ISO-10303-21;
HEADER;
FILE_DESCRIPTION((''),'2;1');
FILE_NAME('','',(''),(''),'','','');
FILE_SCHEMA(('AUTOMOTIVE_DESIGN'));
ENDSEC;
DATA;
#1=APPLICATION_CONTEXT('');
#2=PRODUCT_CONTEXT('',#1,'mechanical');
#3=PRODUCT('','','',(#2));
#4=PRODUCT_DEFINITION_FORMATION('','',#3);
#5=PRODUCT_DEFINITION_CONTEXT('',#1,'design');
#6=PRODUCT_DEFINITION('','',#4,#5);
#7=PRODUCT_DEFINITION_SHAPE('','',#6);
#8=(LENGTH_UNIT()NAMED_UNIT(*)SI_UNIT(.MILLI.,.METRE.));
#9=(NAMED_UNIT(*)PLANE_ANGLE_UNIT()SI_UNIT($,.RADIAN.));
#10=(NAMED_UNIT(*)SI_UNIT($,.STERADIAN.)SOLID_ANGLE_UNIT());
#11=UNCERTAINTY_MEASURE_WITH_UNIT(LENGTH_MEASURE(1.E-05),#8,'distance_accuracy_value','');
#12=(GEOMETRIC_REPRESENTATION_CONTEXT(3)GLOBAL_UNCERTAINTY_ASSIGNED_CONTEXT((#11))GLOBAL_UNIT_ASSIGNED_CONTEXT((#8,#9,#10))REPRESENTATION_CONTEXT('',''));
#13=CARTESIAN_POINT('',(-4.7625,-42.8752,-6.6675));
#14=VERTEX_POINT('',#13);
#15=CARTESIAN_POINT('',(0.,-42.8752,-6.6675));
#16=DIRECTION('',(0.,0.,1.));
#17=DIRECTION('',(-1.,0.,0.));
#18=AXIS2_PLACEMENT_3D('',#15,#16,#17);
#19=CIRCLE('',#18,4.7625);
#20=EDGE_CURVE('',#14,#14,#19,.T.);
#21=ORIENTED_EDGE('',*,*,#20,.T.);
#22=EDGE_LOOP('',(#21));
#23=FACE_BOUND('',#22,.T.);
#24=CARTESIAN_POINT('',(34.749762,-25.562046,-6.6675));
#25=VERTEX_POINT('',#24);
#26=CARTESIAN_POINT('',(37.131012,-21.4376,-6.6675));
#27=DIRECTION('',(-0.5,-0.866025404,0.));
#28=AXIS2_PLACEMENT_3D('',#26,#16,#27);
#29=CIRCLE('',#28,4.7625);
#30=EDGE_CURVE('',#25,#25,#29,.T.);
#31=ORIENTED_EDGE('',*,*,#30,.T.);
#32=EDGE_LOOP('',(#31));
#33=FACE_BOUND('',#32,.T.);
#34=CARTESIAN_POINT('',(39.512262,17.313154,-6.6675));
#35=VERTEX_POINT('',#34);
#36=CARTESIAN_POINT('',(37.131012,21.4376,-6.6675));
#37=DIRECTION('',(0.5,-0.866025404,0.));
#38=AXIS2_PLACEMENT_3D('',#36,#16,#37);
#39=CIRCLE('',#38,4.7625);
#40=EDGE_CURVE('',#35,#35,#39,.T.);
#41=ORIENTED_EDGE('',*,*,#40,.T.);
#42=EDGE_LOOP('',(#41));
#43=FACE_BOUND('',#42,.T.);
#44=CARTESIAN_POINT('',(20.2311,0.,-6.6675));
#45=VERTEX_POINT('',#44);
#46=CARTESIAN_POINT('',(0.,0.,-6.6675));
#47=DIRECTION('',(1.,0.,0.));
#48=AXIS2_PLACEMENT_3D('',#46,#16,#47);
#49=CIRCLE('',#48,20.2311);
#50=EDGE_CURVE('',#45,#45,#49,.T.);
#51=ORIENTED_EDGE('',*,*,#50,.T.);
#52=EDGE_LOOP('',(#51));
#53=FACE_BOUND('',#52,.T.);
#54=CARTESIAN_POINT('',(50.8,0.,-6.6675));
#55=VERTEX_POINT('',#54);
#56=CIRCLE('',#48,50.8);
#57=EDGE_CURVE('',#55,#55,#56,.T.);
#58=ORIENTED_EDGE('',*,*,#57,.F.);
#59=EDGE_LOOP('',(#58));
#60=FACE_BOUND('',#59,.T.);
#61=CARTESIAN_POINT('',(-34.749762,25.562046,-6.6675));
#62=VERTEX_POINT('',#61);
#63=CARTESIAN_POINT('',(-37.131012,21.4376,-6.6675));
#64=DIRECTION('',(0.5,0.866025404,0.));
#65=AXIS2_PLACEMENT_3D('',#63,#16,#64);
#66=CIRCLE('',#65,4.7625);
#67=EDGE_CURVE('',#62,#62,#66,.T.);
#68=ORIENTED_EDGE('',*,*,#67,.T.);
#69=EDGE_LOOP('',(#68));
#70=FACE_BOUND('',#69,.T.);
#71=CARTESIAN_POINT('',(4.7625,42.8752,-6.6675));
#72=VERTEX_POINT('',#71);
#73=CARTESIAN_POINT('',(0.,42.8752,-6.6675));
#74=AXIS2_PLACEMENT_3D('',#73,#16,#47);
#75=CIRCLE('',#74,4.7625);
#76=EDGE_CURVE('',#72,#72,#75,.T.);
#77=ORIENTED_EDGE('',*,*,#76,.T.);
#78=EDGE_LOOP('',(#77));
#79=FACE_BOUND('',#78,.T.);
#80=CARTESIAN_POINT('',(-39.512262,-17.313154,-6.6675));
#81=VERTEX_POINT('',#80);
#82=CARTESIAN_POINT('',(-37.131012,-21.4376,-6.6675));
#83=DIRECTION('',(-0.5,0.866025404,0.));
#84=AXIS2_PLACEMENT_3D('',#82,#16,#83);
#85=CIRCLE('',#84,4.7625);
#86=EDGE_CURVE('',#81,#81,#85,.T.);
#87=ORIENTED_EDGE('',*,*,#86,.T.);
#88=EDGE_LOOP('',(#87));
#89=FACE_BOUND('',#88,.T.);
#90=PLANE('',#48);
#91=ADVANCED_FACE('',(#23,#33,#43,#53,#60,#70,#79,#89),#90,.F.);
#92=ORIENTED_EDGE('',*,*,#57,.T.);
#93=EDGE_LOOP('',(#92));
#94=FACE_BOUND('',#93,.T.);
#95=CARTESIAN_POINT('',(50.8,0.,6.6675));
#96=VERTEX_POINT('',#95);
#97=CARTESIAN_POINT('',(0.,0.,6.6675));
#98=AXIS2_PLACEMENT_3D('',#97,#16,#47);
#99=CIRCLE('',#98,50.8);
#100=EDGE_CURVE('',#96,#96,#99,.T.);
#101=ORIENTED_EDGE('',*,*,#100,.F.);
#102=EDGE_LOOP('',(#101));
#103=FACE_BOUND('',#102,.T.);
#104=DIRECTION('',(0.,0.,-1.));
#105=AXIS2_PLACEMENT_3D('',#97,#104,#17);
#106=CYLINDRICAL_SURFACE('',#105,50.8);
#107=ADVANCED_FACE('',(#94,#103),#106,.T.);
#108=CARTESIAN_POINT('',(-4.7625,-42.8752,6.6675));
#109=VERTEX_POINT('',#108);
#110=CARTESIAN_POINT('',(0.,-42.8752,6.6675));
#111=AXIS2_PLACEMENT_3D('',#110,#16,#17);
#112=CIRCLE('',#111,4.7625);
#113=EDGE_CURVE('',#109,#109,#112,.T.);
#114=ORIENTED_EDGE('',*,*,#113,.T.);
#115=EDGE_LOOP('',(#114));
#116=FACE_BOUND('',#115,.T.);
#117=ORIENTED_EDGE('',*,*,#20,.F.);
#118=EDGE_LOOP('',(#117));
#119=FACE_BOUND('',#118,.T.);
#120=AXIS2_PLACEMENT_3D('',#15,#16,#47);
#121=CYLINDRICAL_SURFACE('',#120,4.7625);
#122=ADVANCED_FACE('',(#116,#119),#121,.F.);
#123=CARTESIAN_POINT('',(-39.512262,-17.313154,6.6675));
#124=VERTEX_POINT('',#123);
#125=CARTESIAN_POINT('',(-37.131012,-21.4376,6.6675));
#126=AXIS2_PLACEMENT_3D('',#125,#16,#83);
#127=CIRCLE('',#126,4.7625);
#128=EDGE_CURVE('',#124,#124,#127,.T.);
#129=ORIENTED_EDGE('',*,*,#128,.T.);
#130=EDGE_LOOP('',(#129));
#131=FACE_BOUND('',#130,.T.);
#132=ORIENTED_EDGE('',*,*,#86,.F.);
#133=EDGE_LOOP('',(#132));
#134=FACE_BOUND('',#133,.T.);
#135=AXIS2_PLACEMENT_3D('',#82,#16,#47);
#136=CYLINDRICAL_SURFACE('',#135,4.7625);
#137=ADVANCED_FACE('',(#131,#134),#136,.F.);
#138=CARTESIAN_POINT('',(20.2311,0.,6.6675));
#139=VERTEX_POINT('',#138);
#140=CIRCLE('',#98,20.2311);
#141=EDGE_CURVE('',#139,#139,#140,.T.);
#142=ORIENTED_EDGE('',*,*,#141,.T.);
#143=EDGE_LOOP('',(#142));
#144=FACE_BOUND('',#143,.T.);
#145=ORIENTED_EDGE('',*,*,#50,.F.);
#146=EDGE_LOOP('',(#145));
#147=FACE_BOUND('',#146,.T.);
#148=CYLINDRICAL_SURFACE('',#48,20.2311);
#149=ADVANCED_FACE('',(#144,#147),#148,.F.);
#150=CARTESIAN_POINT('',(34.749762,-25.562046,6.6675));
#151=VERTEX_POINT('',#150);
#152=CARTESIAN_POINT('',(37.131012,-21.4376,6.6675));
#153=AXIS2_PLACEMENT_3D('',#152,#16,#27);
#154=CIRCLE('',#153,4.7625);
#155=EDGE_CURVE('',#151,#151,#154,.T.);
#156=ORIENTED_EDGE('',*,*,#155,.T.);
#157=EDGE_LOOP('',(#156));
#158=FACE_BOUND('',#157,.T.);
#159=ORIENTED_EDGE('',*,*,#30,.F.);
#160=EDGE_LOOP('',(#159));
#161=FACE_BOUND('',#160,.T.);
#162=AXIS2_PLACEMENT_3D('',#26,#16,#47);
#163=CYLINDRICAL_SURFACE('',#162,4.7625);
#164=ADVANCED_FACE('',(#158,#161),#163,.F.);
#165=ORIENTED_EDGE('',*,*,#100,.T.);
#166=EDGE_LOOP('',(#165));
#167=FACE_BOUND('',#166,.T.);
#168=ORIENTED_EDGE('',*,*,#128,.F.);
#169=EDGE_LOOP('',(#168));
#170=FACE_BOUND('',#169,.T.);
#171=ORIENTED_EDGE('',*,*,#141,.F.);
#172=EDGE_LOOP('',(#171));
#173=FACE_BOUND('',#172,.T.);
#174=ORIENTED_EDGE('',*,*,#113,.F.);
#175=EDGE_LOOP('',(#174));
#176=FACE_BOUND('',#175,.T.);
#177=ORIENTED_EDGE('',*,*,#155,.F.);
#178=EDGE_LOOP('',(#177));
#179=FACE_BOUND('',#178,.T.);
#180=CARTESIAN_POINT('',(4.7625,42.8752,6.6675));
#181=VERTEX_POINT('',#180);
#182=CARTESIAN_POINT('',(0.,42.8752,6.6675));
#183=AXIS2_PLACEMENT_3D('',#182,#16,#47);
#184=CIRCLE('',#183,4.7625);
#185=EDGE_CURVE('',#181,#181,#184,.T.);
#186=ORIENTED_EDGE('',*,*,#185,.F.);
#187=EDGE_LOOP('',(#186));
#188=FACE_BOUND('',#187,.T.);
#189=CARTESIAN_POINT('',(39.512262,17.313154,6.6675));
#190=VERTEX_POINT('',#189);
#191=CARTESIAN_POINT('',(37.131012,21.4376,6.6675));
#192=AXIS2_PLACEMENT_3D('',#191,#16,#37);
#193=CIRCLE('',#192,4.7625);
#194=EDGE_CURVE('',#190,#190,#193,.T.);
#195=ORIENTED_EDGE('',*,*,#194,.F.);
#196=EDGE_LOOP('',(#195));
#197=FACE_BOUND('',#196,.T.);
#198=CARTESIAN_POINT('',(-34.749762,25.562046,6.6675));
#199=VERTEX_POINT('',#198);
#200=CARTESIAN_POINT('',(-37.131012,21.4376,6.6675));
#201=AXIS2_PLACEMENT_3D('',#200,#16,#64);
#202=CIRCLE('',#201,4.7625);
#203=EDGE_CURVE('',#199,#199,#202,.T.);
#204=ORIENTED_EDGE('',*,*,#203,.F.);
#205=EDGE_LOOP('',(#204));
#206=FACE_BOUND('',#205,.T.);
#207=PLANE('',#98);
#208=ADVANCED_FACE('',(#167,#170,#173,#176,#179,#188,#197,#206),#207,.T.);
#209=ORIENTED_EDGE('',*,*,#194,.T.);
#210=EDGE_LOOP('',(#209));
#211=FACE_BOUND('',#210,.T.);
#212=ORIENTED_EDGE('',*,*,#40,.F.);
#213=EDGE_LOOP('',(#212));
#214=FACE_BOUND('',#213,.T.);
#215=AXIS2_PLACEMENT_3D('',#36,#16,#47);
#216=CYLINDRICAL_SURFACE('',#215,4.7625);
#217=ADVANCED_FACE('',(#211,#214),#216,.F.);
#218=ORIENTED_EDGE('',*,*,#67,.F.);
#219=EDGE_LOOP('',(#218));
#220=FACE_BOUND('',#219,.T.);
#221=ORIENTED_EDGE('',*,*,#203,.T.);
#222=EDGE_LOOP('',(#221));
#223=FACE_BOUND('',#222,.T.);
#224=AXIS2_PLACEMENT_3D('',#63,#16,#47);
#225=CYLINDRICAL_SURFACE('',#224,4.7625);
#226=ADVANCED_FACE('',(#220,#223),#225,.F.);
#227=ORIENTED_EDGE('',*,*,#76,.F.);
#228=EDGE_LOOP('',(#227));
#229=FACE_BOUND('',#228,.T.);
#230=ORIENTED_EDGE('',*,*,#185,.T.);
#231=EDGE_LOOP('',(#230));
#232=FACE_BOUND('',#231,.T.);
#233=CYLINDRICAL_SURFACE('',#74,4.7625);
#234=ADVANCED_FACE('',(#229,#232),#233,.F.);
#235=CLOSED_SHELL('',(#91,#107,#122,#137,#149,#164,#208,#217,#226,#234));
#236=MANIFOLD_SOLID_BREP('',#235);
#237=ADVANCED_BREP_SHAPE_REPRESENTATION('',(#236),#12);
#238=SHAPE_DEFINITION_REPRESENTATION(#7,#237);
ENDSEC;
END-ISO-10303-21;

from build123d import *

# Parameters (mm, degrees)
SKETCH1_R           = 50.8
BOSS_EXTRUDE1_DEPTH = 6.6675
SKETCH2_R           = 20.2311
CUT_EXTRUDE1_DEPTH  = 74.06916056
SKETCH3_R           = 4.7625
CUT_EXTRUDE2_DEPTH  = 74.06916056
CIRPATTERN1_COUNT   = 6


with BuildPart() as part:
    # Sketch1 → Boss-Extrude1 (new, symmetric)
    with BuildSketch(Plane.XY):
        Circle(SKETCH1_R)
    extrude(amount=BOSS_EXTRUDE1_DEPTH, both=True)

    # Sketch2 → Cut-Extrude1 (cut, through all)
    with BuildSketch(Plane.XY.offset(6.6675)):
        Circle(SKETCH2_R)
    extrude(amount=-CUT_EXTRUDE1_DEPTH, mode=Mode.SUBTRACT)

    # Sketch3 → Cut-Extrude2 (cut, through all)
    with BuildSketch(Plane.XY.offset(6.6675)):
        with Locations((0, 42.8752)):
            Circle(SKETCH3_R)
    cut_extrude2 = extrude(amount=-CUT_EXTRUDE2_DEPTH, mode=Mode.SUBTRACT)

    # CirPattern1: Cut-Extrude2 ×6 about axis
    cirpattern1_axis = Axis((0, 0, -88.99), (0, 0, 1))
    for i in range(1, CIRPATTERN1_COUNT):
        add(cut_extrude2.rotate(cirpattern1_axis, i * 360 / CIRPATTERN1_COUNT), mode=Mode.SUBTRACT)


solid = part.part
